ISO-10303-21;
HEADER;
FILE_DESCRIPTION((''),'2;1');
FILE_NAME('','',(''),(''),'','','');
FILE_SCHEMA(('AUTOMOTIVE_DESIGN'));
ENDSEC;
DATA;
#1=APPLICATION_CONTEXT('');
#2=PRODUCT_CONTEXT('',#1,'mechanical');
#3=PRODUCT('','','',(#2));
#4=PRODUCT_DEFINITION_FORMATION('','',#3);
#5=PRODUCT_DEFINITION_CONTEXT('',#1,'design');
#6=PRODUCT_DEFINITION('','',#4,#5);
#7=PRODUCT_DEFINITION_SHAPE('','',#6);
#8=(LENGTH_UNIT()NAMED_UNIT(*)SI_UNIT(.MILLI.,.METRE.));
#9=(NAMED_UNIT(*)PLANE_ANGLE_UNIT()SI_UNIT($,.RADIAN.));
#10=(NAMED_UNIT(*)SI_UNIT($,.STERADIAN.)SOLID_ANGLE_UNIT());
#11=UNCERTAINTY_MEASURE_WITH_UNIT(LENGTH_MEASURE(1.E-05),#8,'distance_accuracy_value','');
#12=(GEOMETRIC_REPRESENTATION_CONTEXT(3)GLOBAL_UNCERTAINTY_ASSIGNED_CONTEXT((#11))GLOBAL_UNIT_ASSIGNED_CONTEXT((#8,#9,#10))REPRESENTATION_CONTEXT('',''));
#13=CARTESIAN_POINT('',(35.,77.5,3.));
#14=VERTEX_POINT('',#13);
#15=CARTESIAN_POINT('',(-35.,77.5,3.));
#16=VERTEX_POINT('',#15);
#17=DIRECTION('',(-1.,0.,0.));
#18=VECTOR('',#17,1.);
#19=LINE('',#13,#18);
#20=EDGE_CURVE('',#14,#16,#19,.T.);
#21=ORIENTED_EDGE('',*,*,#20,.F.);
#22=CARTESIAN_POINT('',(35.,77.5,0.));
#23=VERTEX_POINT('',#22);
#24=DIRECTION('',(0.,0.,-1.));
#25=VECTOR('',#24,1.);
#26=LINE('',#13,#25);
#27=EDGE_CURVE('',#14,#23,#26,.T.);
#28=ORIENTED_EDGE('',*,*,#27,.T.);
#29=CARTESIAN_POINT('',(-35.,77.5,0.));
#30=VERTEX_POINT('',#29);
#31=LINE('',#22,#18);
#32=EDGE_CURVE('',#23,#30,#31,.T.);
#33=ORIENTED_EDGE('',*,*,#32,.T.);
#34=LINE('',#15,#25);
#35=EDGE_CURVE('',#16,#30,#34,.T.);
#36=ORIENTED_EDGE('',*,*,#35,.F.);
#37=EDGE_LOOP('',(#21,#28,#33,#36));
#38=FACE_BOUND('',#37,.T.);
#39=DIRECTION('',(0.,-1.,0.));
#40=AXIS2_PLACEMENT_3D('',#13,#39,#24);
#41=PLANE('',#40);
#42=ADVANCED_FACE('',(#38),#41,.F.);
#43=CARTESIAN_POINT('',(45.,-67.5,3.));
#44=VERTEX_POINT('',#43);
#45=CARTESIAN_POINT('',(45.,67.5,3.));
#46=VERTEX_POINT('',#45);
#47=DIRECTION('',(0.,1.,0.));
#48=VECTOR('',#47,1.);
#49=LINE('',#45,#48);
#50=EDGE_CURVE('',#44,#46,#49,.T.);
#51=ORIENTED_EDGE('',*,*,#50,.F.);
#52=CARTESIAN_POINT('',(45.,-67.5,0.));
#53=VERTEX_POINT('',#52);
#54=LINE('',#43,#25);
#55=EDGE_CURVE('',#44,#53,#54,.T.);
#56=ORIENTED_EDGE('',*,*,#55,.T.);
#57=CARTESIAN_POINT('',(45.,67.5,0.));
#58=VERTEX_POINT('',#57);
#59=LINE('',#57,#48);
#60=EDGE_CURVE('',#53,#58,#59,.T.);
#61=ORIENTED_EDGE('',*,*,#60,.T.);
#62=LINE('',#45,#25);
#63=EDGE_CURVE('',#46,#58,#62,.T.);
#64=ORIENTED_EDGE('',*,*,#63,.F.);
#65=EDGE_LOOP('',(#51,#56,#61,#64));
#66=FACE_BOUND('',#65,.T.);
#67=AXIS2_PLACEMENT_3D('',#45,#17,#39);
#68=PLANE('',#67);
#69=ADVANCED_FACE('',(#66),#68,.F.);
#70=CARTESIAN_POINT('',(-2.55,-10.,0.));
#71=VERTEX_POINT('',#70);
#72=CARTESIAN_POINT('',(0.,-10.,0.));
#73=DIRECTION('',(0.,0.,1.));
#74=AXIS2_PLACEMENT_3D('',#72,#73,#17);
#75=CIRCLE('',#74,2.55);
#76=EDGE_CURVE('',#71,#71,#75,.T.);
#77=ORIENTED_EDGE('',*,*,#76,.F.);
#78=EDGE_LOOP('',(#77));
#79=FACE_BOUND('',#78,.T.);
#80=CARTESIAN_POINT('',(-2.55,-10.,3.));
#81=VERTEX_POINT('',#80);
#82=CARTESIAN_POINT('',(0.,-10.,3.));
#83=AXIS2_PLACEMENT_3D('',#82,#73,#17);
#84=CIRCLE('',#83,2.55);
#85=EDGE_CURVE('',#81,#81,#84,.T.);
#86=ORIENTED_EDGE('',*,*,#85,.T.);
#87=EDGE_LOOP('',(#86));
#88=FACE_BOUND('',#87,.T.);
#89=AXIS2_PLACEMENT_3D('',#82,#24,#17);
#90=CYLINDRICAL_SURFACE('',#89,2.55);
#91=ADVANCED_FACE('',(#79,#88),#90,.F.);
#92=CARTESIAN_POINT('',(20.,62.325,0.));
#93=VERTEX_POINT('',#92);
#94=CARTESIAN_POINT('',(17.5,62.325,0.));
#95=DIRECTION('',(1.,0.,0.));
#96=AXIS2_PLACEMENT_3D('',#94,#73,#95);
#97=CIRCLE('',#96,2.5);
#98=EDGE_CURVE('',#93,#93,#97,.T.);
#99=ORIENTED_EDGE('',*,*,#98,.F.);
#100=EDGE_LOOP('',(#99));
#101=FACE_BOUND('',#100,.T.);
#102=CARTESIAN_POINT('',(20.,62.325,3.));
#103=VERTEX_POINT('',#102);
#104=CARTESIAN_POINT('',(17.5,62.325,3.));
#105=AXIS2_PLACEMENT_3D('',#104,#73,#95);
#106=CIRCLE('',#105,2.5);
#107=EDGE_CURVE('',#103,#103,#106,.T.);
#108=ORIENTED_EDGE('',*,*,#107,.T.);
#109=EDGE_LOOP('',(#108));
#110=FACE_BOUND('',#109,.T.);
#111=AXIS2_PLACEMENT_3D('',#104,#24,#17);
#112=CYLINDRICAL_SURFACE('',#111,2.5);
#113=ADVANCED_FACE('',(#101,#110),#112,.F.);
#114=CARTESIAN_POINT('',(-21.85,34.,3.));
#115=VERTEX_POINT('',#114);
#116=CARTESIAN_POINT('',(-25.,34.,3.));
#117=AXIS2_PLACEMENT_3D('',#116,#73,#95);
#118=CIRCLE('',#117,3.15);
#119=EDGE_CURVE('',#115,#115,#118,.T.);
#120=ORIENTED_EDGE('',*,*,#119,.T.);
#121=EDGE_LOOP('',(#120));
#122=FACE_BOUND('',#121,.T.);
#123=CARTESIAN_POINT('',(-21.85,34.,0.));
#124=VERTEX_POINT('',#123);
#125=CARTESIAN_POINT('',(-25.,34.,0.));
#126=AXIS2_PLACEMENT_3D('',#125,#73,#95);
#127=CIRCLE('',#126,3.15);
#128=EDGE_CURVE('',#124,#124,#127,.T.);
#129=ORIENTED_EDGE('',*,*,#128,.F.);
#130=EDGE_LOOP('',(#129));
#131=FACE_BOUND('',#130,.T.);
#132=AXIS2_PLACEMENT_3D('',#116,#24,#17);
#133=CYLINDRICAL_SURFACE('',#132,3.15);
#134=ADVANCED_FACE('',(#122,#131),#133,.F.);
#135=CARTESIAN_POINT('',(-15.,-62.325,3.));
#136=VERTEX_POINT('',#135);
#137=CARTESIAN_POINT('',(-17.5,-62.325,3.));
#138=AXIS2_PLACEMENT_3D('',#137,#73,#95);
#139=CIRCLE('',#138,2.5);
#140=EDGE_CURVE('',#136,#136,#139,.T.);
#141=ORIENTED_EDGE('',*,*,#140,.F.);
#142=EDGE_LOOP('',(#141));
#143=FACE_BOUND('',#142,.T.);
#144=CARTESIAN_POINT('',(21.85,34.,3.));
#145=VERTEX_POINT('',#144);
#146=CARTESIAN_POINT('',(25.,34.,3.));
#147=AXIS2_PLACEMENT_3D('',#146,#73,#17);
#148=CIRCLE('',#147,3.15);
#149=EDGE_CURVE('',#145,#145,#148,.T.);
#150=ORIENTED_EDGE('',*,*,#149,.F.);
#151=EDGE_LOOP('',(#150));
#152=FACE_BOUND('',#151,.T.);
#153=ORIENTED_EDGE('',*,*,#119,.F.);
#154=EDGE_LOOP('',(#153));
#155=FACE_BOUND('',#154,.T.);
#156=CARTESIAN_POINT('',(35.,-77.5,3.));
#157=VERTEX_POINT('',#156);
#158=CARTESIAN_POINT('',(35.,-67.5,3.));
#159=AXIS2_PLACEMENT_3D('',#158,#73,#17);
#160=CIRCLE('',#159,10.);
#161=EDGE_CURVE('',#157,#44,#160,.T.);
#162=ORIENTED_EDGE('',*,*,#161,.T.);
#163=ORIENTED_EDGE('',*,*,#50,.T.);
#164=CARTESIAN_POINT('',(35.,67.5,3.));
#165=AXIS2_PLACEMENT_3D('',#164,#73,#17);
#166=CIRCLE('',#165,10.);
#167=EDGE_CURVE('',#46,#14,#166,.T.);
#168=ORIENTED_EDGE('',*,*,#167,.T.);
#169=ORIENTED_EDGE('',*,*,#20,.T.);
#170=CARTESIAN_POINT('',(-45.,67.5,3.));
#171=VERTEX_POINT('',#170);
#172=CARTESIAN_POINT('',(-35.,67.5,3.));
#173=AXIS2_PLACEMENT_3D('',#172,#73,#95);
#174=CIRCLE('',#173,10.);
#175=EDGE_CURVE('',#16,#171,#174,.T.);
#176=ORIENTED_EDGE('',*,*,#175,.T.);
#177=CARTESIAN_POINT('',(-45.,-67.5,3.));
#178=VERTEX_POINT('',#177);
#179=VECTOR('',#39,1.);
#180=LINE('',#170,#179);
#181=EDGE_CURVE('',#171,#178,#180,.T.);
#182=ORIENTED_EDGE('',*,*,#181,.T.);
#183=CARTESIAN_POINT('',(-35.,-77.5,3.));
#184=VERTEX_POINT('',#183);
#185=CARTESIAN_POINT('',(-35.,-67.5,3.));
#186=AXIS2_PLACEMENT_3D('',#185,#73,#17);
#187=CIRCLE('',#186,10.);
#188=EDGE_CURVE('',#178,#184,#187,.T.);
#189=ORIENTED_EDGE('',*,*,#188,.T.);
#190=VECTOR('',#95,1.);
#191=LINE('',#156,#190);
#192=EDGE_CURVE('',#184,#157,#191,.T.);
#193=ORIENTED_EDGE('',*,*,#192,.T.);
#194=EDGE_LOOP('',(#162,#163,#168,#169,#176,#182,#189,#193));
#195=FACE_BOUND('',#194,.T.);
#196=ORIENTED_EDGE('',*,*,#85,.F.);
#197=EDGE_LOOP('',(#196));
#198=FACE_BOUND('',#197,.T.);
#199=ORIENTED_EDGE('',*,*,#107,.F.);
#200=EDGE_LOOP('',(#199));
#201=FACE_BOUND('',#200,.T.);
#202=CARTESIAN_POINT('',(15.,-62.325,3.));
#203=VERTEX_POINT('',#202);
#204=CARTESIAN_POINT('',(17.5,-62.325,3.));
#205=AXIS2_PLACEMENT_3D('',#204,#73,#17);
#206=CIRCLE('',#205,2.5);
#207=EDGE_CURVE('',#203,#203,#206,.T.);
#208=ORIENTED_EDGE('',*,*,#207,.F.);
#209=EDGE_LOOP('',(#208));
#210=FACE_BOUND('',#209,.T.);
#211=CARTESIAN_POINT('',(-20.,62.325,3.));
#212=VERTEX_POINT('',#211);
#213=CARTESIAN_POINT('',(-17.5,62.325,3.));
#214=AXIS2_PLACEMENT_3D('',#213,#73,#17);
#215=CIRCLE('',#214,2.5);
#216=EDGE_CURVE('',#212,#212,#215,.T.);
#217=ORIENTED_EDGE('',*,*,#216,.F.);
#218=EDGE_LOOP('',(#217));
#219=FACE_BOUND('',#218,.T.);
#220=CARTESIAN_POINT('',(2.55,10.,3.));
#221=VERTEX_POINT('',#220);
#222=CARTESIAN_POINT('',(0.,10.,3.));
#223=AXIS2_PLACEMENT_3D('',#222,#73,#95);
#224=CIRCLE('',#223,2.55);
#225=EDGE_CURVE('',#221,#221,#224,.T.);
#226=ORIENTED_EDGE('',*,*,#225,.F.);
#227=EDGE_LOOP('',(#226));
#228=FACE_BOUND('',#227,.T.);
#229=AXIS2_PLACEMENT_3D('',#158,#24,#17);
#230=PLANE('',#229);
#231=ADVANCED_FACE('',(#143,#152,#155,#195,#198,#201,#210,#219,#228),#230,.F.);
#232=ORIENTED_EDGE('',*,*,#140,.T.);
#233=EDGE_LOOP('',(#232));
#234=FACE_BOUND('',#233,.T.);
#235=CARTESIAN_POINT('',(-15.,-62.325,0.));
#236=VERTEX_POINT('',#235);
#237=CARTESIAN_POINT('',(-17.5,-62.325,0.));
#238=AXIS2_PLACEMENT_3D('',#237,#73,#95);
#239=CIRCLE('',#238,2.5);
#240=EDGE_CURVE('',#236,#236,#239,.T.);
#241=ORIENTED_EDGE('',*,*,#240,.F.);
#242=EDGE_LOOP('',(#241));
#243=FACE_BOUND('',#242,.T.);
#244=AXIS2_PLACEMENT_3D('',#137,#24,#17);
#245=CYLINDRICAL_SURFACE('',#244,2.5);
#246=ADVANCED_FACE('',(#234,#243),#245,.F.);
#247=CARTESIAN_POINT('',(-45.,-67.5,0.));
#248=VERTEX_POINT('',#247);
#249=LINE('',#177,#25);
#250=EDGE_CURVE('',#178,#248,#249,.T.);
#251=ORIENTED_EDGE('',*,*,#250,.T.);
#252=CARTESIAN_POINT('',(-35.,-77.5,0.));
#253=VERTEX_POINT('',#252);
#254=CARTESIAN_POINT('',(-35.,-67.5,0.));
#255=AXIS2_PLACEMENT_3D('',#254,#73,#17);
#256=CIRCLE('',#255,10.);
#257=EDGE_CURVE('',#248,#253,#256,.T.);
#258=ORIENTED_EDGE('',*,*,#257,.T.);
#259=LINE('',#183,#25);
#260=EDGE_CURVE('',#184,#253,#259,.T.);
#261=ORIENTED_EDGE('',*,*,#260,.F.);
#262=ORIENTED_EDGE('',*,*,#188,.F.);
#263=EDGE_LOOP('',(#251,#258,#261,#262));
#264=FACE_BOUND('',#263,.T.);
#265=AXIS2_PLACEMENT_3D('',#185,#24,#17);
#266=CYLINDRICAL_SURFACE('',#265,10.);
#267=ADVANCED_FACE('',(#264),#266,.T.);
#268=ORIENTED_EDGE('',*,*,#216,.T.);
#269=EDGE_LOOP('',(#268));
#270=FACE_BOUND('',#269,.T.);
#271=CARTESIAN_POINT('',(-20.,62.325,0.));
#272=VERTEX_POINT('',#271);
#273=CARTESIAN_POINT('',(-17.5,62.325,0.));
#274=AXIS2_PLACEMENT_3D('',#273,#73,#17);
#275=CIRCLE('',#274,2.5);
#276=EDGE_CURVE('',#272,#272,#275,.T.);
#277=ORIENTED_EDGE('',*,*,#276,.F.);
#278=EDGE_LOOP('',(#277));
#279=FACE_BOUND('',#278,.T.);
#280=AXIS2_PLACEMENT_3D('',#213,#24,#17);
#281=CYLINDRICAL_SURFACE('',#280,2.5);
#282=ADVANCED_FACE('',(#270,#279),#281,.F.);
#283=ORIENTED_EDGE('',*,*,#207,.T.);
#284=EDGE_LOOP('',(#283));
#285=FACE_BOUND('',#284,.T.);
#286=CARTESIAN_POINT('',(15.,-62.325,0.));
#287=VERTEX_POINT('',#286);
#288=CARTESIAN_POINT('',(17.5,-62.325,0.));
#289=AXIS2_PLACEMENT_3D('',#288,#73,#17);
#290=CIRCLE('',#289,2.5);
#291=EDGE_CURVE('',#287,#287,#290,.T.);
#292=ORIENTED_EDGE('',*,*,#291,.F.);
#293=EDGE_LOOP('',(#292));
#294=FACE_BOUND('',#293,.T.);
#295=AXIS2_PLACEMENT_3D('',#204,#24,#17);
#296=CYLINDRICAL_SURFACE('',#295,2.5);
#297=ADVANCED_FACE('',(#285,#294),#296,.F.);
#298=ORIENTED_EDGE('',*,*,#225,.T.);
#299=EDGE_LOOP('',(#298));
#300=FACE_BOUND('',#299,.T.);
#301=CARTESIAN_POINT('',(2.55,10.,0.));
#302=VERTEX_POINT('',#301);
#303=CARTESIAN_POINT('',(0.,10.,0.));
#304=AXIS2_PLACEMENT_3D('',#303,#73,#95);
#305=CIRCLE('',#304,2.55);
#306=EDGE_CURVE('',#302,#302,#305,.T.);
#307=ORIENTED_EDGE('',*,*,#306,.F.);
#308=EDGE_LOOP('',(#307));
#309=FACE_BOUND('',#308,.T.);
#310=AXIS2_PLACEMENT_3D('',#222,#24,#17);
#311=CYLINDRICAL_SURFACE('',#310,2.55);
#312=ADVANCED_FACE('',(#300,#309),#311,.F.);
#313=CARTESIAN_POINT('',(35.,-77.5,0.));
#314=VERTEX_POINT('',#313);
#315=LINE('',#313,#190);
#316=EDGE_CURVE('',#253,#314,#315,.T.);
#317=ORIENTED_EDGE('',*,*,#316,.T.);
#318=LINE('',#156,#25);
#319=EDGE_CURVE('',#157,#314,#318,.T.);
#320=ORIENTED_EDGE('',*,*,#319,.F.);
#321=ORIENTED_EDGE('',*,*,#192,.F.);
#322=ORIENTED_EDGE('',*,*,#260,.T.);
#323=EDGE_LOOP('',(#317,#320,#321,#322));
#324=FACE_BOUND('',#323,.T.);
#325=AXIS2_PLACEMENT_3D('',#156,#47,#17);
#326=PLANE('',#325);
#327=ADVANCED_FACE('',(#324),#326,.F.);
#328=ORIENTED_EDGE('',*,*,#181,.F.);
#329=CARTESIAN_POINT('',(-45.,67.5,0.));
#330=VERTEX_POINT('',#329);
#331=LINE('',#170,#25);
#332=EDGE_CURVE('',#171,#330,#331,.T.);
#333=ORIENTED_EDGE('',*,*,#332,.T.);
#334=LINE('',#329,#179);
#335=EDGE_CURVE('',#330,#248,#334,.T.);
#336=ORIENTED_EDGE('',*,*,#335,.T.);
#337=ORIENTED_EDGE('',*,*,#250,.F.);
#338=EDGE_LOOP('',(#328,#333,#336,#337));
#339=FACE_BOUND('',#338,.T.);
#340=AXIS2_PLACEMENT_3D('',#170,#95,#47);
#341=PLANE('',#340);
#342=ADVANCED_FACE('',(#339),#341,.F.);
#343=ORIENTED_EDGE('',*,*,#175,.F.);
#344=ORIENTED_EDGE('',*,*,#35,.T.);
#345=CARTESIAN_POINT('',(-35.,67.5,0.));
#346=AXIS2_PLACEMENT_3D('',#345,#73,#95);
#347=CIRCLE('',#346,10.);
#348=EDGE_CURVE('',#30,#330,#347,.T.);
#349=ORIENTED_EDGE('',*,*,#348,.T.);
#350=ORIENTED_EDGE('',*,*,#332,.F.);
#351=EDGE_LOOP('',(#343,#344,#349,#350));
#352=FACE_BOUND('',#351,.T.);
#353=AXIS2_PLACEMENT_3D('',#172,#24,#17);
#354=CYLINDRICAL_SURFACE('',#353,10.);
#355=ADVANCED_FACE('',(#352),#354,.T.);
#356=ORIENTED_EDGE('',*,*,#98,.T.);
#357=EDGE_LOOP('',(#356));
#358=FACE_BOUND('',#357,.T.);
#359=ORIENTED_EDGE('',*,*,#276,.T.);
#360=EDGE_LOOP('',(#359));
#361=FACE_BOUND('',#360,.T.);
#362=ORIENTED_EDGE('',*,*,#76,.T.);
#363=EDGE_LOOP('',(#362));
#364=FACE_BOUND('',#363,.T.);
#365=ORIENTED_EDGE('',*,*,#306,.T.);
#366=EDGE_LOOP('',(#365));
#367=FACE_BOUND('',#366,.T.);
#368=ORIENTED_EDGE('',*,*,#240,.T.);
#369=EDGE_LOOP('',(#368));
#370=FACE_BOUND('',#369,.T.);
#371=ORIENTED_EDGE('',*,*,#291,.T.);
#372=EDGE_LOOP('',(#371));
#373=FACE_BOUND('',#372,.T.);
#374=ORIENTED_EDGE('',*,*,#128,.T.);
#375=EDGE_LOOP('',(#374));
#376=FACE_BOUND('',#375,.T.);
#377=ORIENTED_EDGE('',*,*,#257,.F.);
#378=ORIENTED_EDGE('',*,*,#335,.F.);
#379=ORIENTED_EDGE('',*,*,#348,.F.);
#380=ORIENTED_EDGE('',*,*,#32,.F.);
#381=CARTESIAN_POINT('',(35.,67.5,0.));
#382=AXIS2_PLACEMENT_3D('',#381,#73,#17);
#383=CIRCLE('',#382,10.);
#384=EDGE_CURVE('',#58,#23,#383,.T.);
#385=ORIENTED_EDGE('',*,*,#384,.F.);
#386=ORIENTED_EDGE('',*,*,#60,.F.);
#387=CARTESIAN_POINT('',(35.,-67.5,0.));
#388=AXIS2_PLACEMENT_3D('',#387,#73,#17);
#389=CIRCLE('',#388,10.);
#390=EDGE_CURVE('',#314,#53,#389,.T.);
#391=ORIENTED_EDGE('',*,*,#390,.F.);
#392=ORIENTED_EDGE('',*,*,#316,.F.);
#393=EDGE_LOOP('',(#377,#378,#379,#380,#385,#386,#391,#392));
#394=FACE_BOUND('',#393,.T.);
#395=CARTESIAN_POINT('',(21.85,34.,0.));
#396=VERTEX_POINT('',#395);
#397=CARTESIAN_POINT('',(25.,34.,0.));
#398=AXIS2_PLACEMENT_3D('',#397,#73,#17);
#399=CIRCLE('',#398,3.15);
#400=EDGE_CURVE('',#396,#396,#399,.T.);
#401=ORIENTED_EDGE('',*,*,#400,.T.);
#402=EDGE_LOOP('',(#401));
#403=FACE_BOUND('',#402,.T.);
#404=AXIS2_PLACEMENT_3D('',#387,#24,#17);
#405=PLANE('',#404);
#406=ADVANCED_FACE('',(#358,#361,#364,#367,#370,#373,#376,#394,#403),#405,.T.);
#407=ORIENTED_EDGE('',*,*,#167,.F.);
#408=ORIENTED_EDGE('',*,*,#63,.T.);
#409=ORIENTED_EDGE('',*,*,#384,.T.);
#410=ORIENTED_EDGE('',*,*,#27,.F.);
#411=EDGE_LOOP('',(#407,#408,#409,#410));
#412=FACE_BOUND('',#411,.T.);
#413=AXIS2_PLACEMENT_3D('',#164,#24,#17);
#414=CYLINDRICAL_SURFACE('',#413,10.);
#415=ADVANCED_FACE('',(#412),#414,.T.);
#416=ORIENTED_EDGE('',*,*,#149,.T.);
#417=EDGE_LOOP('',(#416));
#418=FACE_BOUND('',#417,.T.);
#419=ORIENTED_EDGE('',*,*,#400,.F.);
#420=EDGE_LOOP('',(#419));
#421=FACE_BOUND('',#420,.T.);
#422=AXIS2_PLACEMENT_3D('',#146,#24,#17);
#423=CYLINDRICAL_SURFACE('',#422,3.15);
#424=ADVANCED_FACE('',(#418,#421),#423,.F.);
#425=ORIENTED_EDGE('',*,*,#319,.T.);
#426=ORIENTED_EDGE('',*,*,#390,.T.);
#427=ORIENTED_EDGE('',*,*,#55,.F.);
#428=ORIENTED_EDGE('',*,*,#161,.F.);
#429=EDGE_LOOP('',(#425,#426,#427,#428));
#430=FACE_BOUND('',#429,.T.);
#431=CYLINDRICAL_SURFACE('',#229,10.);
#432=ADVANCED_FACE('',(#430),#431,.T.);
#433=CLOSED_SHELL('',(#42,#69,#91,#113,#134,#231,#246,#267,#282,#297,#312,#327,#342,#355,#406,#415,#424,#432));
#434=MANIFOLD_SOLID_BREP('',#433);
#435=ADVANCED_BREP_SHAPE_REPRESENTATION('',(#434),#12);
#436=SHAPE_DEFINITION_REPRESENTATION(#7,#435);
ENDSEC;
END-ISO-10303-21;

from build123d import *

# Parameters (mm, degrees)
CROQUIS1_R              = 2.5
CROQUIS1_R_2            = 2.55
CROQUIS1_R_3            = 3.15
SALIENTE_EXTRUIR1_DEPTH = 3


with BuildPart() as part:
    # Croquis1 → Saliente-Extruir1 (new body)
    with BuildSketch(Plane.XY):
        with BuildLine():
            Line((35, 77.5), (-35, 77.5))
            ThreePointArc((-35, 77.5), (-42.071067812, 74.571067812), (-45, 67.5))
            Line((-45, 67.5), (-45, -67.5))
            ThreePointArc((-45, -67.5), (-42.071067812, -74.571067812), (-35, -77.5))
            Line((-35, -77.5), (35, -77.5))
            ThreePointArc((35, -77.5), (42.071067812, -74.571067812), (45, -67.5))
            Line((45, -67.5), (45, 67.5))
            ThreePointArc((45, 67.5), (42.071067812, 74.571067812), (35, 77.5))
        make_face()
        with Locations((17.5, 62.325)):
            Circle(CROQUIS1_R, mode=Mode.SUBTRACT)
        with Locations(Location((17.5, -62.325, 0), (0, 0, 180))):
            Circle(CROQUIS1_R, mode=Mode.SUBTRACT)
        with Locations((-17.5, -62.325)):
            Circle(CROQUIS1_R, mode=Mode.SUBTRACT)
        with Locations(Location((-17.5, 62.325, 0), (0, 0, 180))):
            Circle(CROQUIS1_R, mode=Mode.SUBTRACT)
        with Locations((0, 10)):
            Circle(CROQUIS1_R_2, mode=Mode.SUBTRACT)
        with Locations(Location((0, -10, 0), (0, 0, 180))):
            Circle(CROQUIS1_R_2, mode=Mode.SUBTRACT)
        with Locations((-25, 34)):
            Circle(CROQUIS1_R_3, mode=Mode.SUBTRACT)
        with Locations(Location((25, 34, 0), (0, 0, 180))):
            Circle(CROQUIS1_R_3, mode=Mode.SUBTRACT)
    extrude(amount=SALIENTE_EXTRUIR1_DEPTH)


solid = part.part
